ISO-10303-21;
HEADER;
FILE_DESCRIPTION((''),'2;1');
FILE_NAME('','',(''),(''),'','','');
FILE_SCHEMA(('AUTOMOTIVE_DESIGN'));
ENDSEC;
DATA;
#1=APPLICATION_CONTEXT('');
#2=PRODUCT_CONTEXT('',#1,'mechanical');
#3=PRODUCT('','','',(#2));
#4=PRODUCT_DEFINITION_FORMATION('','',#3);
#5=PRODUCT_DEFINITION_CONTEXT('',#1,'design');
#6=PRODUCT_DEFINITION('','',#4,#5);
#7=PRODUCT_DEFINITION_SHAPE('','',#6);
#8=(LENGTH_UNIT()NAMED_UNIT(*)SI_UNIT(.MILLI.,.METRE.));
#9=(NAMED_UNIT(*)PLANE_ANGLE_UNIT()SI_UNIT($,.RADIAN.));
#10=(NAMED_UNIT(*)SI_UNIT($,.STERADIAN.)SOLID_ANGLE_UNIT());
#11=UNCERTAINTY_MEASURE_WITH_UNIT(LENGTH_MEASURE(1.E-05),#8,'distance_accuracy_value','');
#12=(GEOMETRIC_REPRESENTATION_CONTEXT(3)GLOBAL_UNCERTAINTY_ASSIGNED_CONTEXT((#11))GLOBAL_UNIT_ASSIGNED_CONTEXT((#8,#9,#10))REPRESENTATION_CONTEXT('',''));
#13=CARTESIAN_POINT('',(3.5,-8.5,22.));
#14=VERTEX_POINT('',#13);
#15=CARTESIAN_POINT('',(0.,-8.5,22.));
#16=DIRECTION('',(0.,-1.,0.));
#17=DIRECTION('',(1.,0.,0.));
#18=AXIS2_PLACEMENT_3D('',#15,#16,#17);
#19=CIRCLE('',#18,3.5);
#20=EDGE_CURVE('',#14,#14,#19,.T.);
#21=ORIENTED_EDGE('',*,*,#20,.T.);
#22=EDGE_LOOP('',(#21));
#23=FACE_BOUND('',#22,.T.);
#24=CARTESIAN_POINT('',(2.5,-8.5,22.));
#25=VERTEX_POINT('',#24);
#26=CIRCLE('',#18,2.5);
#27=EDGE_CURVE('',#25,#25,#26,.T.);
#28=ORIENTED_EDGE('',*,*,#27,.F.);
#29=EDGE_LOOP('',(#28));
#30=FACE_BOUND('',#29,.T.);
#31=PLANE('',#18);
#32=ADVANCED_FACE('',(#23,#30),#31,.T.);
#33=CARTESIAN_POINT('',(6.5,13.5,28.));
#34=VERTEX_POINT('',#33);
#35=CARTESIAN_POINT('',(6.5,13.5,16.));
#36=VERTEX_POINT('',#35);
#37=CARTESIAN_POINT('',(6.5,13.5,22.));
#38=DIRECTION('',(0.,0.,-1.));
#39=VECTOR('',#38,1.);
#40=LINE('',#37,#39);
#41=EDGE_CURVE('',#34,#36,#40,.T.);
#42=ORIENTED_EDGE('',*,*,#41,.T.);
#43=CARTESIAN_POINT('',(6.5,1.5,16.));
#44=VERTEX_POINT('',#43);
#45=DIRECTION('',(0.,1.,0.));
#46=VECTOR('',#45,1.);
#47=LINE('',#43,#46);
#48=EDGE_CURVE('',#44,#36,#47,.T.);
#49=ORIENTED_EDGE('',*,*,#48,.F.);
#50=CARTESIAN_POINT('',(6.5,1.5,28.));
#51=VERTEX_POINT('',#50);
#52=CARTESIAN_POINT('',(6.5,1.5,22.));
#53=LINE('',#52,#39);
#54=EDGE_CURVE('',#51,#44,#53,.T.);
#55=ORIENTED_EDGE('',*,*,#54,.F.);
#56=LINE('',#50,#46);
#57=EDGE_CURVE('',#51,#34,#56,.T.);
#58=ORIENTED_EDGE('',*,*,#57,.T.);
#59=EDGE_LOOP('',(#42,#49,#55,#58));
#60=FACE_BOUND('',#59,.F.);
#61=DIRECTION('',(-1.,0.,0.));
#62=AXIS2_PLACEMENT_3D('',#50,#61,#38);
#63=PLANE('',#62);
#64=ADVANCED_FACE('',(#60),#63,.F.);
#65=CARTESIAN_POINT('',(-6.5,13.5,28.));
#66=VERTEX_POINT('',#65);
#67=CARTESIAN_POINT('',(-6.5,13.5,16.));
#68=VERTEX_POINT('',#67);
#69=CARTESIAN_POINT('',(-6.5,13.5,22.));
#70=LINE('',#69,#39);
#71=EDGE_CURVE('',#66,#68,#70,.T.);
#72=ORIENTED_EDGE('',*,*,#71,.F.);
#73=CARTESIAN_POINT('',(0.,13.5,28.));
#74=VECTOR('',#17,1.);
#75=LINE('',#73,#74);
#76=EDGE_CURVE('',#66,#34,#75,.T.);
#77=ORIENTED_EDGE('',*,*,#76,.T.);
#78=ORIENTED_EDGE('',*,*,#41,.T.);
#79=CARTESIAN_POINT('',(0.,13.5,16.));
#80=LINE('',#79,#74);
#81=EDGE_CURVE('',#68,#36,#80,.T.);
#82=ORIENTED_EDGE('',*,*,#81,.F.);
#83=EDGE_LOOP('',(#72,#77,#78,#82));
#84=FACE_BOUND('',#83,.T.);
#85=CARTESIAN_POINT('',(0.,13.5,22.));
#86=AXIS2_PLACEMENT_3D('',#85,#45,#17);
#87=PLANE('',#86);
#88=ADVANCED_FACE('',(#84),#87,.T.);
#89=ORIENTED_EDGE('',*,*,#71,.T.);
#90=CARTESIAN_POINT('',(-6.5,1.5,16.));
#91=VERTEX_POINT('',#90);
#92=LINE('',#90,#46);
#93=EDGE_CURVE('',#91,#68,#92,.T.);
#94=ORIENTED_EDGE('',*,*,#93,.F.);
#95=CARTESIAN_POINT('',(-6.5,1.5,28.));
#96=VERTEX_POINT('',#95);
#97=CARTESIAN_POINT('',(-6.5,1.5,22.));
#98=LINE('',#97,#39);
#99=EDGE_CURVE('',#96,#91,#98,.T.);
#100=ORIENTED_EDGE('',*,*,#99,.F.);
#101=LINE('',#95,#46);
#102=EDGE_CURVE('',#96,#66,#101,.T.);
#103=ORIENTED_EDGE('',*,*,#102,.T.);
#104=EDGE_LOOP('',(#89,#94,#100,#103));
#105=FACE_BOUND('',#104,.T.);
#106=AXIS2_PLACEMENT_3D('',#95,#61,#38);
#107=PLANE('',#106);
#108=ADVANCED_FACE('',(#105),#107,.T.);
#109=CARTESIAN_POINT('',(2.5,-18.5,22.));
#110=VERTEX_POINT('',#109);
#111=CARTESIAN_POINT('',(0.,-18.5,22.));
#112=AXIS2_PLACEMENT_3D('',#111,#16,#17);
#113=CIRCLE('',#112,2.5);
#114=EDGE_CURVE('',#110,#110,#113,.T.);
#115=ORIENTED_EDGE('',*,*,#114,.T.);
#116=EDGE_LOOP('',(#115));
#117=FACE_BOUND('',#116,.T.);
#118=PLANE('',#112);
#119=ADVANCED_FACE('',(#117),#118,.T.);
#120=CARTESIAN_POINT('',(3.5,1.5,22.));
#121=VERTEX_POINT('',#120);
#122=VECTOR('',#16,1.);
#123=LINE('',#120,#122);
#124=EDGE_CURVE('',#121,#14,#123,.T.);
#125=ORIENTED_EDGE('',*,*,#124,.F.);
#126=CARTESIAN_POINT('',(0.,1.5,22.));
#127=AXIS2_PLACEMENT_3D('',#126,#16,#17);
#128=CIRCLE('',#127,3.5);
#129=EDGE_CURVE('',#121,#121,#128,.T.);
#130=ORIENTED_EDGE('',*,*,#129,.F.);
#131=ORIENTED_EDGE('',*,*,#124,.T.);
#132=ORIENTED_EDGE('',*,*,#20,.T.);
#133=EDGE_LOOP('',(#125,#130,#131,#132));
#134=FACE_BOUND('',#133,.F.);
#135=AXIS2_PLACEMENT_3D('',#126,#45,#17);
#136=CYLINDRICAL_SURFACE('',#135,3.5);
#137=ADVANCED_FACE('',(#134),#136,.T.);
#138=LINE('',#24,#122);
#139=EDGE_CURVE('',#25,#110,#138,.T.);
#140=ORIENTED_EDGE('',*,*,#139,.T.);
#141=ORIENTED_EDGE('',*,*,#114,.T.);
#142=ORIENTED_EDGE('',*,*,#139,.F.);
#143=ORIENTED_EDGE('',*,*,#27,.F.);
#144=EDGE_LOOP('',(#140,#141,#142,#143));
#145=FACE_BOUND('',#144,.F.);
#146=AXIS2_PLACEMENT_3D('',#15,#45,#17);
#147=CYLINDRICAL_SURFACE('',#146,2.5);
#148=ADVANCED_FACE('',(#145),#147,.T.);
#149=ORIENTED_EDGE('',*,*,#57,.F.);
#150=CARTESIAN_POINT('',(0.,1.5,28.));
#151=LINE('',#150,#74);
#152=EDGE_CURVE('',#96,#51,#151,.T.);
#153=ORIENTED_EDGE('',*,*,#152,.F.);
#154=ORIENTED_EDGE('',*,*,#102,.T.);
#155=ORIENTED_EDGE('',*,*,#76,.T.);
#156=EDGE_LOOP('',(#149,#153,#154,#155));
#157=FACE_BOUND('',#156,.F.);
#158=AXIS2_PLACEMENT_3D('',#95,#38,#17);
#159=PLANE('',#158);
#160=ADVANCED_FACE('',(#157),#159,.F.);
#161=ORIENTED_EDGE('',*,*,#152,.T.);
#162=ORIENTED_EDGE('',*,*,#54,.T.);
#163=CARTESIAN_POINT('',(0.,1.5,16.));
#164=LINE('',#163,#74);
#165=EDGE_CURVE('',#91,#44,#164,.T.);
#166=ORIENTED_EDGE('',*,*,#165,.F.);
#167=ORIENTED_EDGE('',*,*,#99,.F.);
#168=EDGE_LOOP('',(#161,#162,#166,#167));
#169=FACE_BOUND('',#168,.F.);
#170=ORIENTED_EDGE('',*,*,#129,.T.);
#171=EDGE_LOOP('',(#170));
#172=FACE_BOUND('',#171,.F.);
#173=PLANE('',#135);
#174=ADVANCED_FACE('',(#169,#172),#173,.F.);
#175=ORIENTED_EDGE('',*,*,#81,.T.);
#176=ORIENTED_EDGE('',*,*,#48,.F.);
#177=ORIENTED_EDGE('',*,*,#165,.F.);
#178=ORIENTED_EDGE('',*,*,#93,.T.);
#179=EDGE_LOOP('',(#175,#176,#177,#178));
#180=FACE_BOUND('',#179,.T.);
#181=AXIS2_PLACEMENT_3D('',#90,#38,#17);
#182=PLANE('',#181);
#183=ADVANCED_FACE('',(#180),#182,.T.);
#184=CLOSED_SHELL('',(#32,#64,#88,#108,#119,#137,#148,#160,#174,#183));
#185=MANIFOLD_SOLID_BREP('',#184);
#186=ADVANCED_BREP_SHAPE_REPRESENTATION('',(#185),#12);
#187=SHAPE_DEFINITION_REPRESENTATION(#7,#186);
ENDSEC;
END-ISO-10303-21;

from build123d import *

# Parameters (mm, degrees)
SKETCH026_R             = 3.5
PAD026_DEPTH            = 10
SKETCH027_R             = 2.5
PAD027_DEPTH            = 10
SKETCH028_W             = 13
SKETCH028_H             = 12
PAD028_DEPTH            = 12
BODY010_PLACEMENT_ANGLE = 90


with BuildPart() as part:
    # Sketch026 → Pad026 (new body)
    with BuildSketch(Plane.XY):
        Circle(SKETCH026_R)
    extrude(amount=PAD026_DEPTH)

    # Sketch027 (on Face3 of Pad026) → Pad027 (join)
    with BuildSketch(Plane.XY.offset(10)):
        Circle(SKETCH027_R)
    extrude(amount=PAD027_DEPTH)

    # Sketch028 (on Face2 of Pad027) → Pad028 (join)
    with BuildSketch(Plane(origin=(0, 0, 0), x_dir=(1, 0, 0), z_dir=(0, 0, -1))):
        Rectangle(SKETCH028_W, SKETCH028_H)
    extrude(amount=PAD028_DEPTH)


with BuildPart() as part_1:
    # Body010 placement: moved
    add(part.part.moved(Location((0, 1.5, 22))).rotate(Axis((0, 1.5, 22), (1, 0, 0)), BODY010_PLACEMENT_ANGLE))


solid = part_1.part
